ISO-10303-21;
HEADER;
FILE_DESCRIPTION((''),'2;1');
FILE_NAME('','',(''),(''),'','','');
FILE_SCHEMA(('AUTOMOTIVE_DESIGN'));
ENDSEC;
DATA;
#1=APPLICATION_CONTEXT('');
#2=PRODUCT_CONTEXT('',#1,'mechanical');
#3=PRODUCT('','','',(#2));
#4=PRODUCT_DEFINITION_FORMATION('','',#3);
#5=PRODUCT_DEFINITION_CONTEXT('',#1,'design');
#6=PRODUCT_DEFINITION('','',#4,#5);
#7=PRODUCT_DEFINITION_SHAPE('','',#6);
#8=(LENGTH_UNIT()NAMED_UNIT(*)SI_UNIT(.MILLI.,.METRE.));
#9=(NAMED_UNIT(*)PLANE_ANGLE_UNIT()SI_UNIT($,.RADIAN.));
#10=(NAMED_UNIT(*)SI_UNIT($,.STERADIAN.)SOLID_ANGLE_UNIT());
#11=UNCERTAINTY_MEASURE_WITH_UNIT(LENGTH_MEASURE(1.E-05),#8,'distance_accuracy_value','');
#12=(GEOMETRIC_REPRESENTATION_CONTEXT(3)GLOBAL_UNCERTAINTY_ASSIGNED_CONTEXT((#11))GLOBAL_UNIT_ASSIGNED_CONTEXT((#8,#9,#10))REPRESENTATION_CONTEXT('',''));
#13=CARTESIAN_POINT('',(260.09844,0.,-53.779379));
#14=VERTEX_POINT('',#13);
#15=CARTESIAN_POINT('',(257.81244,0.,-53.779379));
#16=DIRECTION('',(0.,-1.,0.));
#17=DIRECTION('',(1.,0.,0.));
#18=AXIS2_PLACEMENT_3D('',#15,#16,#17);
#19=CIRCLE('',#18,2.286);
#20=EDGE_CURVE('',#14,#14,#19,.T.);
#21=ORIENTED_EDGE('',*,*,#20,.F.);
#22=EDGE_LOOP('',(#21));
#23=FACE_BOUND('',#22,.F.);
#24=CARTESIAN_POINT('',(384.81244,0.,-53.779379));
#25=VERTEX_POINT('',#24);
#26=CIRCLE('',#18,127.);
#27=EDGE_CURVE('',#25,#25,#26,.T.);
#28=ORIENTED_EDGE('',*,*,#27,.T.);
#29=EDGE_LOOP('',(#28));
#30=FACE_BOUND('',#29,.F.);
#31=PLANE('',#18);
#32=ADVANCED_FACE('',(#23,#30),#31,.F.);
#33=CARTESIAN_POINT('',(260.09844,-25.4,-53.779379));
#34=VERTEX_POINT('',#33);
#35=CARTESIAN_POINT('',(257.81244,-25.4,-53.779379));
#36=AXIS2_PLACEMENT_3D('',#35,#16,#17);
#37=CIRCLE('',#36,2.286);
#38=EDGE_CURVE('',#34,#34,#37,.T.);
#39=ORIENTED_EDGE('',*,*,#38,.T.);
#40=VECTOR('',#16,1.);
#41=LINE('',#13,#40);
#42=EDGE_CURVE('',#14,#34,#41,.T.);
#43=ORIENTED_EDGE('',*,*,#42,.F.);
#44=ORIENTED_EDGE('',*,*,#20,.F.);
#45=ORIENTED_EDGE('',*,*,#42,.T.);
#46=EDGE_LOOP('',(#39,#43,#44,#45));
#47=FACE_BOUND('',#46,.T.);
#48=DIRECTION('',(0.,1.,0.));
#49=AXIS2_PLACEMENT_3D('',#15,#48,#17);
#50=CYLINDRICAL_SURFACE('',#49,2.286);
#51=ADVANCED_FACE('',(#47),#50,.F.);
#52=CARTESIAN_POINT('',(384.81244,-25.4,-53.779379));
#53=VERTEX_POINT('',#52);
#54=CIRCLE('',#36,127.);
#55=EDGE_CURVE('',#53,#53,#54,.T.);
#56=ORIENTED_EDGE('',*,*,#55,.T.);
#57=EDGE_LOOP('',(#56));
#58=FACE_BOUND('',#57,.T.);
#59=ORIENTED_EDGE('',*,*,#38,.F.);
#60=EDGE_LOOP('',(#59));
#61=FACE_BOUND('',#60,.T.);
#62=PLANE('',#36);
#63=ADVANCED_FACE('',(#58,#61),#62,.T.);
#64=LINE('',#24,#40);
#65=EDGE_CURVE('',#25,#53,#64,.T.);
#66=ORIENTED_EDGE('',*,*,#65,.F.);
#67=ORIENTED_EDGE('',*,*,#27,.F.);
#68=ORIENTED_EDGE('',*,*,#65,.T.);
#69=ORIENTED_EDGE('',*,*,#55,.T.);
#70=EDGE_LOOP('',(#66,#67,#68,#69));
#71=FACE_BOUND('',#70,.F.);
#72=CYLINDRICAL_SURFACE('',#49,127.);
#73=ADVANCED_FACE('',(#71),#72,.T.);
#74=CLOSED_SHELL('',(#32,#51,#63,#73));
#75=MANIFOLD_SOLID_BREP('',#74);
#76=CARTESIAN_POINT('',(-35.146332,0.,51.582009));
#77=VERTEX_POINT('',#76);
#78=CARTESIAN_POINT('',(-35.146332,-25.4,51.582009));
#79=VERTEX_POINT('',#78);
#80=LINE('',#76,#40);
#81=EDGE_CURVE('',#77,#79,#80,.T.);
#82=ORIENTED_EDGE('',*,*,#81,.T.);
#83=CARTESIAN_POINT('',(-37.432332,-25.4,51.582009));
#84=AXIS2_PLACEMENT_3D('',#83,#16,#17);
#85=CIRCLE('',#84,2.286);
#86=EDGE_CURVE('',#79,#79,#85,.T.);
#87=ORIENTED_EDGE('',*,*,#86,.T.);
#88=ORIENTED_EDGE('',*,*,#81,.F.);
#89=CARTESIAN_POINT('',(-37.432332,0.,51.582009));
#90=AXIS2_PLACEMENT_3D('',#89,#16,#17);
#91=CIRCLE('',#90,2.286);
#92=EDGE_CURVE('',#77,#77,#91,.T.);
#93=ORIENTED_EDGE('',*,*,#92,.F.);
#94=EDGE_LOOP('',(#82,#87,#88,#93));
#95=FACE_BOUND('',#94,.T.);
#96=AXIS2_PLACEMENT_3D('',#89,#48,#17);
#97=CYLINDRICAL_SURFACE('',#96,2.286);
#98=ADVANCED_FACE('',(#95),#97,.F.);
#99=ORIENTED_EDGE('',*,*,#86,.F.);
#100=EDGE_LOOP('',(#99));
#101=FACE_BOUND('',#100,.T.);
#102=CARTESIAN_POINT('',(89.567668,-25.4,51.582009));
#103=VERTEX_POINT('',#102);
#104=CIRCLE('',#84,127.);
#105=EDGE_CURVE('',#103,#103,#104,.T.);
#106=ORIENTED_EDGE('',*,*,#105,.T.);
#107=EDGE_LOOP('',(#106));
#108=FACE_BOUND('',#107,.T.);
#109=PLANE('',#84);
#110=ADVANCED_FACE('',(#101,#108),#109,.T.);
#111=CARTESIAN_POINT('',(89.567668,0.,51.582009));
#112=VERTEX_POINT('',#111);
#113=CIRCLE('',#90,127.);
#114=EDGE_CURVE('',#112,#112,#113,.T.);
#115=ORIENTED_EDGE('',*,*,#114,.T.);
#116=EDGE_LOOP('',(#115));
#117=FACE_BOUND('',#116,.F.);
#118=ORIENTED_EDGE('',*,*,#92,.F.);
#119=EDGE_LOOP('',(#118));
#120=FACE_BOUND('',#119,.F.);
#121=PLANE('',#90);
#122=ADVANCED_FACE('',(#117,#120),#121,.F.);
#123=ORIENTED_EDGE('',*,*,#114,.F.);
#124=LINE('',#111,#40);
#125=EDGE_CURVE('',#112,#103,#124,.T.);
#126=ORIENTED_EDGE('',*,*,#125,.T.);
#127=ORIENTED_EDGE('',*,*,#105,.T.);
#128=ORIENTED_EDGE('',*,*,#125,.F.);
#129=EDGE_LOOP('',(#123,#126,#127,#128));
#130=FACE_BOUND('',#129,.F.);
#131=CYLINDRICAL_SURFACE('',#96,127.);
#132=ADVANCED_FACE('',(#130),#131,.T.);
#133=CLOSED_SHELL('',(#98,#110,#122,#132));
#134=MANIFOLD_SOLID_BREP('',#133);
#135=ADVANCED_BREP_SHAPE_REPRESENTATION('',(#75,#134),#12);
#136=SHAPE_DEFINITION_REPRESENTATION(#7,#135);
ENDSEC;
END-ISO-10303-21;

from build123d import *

# Parameters (mm, degrees)
F0_R     = 127
F0_R_2   = 2.286
F1_DEPTH = 25.4


with BuildPart() as f1:
    # F0 (on Front) → F1 (new body)
    with BuildSketch(Plane.XZ):
        with Locations((-37.432332, 51.582009)):
            Circle(F0_R)
        with Locations((-37.432332, 51.582009)):
            Circle(F0_R_2, mode=Mode.SUBTRACT)
        with Locations((257.81244, -53.779379)):
            Circle(F0_R)
        with Locations((257.81244, -53.779379)):
            Circle(F0_R_2, mode=Mode.SUBTRACT)
    extrude(amount=F1_DEPTH)


solid = f1.part
